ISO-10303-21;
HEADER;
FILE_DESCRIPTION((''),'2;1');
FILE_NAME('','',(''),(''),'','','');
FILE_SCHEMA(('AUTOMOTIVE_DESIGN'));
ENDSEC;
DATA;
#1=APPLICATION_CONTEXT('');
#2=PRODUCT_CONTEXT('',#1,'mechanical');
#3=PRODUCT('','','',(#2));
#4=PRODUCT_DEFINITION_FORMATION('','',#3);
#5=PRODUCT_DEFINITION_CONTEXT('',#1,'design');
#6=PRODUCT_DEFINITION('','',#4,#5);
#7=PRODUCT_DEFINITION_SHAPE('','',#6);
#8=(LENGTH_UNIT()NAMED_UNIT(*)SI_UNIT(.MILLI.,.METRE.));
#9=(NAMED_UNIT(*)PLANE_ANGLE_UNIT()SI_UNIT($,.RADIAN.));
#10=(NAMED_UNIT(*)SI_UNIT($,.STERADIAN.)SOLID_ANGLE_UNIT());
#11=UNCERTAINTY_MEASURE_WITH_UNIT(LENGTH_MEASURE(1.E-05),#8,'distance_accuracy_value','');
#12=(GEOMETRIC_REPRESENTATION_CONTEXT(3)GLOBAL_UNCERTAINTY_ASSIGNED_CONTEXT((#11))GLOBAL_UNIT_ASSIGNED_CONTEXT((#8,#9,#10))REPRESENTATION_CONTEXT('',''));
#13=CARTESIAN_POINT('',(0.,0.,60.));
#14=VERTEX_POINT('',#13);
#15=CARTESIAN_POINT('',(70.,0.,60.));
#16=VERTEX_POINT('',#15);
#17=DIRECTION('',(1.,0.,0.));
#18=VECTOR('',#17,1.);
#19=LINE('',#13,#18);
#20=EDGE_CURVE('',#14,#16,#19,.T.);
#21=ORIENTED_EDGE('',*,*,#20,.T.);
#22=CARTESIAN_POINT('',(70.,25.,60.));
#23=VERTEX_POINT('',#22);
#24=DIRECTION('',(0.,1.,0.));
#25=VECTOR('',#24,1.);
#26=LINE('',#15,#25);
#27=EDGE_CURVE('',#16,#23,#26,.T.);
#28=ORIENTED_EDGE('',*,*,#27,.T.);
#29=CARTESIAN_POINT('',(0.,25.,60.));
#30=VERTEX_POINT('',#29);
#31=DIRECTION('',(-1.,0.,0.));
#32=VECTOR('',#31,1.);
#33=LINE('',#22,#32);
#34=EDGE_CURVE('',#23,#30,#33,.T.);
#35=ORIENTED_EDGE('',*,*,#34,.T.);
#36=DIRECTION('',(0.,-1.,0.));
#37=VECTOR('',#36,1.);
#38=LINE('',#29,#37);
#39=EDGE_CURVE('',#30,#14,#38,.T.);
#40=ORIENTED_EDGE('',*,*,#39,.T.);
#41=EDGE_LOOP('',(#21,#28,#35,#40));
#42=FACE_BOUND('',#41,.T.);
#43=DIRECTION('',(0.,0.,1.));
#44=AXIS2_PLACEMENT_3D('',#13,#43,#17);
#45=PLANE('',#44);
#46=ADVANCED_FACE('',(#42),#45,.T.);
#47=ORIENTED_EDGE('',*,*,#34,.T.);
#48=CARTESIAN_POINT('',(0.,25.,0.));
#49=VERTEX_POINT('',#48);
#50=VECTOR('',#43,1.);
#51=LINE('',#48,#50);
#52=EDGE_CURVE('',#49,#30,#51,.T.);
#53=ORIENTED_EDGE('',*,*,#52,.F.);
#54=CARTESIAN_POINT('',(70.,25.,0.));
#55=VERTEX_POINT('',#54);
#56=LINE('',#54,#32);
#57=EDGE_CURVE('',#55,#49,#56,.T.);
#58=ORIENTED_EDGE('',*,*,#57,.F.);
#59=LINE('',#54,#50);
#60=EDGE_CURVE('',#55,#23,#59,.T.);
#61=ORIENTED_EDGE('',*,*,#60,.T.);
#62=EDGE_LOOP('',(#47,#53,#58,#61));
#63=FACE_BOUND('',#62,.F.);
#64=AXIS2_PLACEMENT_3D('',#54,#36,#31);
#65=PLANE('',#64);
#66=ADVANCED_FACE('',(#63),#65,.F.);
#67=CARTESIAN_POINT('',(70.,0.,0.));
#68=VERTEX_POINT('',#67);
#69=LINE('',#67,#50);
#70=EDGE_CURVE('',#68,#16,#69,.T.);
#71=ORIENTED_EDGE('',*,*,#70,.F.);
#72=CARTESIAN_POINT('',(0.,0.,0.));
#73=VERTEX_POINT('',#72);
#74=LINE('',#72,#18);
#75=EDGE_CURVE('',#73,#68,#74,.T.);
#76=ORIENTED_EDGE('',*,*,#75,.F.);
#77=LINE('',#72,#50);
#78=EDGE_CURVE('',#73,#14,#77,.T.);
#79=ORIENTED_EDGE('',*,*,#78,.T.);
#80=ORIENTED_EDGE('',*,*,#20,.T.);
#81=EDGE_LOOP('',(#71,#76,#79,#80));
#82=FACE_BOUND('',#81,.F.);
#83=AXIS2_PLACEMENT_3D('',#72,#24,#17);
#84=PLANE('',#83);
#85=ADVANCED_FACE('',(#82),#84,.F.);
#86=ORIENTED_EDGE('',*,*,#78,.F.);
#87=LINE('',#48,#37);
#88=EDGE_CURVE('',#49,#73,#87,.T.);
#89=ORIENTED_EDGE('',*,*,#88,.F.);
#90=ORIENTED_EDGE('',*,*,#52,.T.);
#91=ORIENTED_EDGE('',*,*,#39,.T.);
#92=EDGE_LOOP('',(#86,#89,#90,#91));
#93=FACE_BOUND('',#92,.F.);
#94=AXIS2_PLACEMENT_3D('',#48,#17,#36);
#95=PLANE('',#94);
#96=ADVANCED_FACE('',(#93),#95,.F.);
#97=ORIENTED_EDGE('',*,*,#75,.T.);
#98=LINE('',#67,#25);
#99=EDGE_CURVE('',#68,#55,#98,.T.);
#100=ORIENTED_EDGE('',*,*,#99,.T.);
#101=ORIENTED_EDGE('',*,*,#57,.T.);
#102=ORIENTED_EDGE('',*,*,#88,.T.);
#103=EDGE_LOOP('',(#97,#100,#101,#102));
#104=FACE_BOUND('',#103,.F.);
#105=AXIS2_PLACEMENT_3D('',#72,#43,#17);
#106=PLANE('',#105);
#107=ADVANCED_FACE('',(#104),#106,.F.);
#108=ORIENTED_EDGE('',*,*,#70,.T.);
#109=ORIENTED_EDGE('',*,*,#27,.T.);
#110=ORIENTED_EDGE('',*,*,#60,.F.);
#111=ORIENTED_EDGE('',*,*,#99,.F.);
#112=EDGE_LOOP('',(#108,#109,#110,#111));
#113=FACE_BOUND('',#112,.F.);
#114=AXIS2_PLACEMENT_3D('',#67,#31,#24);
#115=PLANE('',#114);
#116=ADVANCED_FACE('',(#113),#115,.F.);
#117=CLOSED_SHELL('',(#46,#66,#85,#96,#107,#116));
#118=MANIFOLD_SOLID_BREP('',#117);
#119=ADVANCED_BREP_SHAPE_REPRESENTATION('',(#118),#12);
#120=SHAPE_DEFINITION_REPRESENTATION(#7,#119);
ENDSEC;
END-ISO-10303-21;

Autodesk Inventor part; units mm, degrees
ref_plane "YZ Plane" through (0, 0, 0) normal (1, 0, 0) x (0, 1, 0)
ref_plane "XZ Plane" through (0, 0, 0) normal (0, 1, 0) x (-1, 0, 0)
ref_plane "XY Plane" through (0, 0, 0) normal (0, 0, 1) x (1, 0, 0)
sketch "Esboço1" plane through (0, 0, 0) normal (0, 0, 1) x (1, 0, 0)
  line L0 (0, 0) -> (70, 0)
  line L1 (70, 0) -> (70, 25)
  line L2 (70, 25) -> (0, 25)
  line L3 (0, 25) -> (0, 0)
  dimension "d0" = 70
  dimension "d1" = 25
extrude "Extrusão1" add sketch "Esboço1" along normal blind 60
properties part number "bateria4xAA"
